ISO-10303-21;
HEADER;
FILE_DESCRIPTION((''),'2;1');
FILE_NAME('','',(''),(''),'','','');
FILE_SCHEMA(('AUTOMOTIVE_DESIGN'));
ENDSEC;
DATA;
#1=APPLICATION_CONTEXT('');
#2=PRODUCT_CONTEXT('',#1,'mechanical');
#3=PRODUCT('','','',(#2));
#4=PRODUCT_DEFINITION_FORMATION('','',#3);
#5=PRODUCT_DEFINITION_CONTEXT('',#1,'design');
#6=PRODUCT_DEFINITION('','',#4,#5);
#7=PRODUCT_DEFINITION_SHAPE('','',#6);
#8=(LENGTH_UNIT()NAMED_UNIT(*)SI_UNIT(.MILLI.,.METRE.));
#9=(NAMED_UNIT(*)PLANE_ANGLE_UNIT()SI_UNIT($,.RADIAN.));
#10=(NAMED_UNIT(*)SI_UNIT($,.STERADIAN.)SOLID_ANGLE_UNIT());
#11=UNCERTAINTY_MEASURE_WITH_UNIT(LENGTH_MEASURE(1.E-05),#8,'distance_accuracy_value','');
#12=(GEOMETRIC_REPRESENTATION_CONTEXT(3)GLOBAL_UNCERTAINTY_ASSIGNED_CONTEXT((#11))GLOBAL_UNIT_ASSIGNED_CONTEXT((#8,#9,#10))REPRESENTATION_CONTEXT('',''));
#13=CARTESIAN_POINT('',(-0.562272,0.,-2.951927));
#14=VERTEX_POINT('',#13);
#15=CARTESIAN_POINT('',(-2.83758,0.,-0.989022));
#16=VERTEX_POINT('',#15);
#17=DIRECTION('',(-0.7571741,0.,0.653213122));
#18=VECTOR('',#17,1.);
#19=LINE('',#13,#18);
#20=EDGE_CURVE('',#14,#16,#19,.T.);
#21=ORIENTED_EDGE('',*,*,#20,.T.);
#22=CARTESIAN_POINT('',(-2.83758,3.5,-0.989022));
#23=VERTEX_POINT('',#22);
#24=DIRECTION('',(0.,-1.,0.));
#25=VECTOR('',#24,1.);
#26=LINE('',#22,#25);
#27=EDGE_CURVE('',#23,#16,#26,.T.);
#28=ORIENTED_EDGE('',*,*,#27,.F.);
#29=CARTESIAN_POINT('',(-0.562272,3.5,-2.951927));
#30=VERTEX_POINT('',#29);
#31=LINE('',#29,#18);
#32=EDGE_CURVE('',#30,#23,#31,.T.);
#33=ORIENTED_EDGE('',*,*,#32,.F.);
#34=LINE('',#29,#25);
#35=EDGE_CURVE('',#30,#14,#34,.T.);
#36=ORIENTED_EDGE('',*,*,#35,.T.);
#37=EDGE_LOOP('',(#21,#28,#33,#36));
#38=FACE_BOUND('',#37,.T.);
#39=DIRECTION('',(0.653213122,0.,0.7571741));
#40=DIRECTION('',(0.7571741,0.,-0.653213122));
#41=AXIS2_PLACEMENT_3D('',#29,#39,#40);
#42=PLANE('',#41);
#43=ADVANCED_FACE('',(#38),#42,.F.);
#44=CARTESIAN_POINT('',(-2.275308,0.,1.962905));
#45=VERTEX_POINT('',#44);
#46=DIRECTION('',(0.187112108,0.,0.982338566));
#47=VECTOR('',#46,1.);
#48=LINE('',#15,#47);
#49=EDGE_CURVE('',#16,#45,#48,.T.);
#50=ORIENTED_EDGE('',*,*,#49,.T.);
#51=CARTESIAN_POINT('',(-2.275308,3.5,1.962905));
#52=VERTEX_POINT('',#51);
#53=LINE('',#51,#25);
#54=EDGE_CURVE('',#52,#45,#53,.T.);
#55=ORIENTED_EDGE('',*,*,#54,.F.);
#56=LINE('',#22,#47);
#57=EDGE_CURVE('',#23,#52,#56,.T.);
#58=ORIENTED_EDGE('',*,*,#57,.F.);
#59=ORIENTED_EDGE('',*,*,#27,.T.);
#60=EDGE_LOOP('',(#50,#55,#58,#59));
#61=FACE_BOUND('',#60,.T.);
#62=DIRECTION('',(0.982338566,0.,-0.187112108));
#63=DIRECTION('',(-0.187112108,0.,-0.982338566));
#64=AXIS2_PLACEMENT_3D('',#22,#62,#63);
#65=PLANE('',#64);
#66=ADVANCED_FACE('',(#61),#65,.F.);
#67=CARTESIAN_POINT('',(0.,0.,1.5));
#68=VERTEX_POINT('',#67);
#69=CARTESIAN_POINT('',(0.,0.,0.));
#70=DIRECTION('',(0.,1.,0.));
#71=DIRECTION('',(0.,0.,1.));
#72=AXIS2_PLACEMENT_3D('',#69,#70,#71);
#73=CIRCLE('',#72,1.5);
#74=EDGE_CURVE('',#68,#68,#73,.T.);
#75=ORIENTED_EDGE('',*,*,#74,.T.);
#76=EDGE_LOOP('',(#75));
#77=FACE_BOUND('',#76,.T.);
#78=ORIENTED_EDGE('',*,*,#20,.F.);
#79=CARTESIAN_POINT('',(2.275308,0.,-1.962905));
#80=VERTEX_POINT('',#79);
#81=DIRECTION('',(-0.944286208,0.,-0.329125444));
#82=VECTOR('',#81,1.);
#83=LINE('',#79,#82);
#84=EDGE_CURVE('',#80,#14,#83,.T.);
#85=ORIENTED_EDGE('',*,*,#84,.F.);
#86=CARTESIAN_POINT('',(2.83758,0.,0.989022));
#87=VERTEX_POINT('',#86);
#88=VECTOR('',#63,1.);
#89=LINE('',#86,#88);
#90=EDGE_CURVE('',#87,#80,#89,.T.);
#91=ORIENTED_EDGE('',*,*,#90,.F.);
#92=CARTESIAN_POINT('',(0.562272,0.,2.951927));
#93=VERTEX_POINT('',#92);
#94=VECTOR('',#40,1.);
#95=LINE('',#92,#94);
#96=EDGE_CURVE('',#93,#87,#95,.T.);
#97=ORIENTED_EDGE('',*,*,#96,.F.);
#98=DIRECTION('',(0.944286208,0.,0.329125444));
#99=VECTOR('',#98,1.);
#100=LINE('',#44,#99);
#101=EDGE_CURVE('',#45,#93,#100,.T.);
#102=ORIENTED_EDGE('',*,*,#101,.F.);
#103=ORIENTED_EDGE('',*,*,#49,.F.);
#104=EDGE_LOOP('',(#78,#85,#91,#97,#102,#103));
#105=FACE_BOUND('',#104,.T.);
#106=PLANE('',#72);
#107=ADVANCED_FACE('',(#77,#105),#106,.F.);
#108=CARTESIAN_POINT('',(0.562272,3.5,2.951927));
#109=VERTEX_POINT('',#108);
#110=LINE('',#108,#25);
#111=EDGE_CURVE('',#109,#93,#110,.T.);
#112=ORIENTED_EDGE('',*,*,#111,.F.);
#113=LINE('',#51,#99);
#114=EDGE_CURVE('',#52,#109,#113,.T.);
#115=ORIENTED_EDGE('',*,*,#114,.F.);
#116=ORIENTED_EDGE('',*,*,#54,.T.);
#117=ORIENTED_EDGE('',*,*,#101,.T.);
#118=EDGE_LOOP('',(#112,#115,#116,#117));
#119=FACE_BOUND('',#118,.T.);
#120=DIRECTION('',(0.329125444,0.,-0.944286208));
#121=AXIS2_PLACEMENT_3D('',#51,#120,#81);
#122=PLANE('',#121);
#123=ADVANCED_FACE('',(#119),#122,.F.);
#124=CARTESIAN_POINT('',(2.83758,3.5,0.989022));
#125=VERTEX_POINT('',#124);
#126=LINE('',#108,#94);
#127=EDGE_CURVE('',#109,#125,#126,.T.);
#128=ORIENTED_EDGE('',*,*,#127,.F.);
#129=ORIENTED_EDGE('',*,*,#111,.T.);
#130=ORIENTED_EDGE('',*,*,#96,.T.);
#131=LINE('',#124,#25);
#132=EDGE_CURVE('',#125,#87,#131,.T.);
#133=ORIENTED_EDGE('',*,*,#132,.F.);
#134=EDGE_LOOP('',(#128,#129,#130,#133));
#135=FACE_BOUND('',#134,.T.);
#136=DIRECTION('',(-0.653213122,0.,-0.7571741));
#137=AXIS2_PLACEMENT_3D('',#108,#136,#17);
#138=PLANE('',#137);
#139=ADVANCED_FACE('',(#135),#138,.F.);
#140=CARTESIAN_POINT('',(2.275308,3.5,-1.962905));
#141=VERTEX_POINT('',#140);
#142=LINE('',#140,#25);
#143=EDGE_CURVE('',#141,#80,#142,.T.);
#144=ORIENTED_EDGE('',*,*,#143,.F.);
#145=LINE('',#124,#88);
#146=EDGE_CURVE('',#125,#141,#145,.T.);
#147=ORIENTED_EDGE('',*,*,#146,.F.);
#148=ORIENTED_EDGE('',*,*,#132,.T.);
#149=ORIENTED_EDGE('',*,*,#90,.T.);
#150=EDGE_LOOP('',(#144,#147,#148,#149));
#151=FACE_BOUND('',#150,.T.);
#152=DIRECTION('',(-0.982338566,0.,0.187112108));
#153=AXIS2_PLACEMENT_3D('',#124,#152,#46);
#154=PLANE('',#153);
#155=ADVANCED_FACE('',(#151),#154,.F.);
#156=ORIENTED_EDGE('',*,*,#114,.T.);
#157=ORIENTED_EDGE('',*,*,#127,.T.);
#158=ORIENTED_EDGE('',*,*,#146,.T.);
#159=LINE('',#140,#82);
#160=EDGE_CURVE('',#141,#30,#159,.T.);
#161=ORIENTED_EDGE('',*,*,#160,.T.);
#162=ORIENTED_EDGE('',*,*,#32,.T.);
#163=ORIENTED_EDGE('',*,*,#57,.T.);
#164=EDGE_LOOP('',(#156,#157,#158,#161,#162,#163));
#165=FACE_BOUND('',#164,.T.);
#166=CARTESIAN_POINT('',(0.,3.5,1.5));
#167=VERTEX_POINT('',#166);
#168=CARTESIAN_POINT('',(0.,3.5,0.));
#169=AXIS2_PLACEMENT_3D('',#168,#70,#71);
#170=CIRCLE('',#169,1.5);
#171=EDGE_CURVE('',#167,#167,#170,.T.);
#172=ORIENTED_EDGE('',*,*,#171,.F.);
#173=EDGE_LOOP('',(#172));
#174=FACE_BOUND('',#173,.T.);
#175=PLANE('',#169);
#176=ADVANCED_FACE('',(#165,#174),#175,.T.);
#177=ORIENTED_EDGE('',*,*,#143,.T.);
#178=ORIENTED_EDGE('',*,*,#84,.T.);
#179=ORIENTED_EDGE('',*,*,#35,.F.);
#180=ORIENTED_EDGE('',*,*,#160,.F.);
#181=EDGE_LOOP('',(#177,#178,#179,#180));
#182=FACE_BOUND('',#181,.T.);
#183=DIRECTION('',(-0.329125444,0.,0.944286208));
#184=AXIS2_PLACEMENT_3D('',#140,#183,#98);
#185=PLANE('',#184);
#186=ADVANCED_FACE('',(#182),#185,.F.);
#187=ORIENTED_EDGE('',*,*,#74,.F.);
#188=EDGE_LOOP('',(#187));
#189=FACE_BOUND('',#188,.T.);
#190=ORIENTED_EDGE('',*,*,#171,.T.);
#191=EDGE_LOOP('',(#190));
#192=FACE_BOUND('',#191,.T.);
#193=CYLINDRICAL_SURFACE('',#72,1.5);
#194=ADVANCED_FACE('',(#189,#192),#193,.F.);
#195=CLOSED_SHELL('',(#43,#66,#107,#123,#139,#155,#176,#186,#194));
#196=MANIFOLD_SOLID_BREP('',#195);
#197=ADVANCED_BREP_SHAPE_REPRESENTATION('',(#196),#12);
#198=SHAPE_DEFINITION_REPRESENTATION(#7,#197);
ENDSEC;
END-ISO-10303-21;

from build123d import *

# Parameters (mm, degrees)
EXTRUDE_1_DEPTH     = 3.5
SKETCH_2_R          = 1.5
CUT_EXTRUDE_1_DEPTH = 6.38662565


with BuildPart() as part:
    # 草图1 → 凸台-拉伸1 (new body)
    with BuildSketch(Plane(origin=(0, 0, 0), x_dir=(1, 0, 0), z_dir=(0, 1, 0))):
        Polygon((0.562271884, -2.951927392), (2.837580054, -0.98902196), (2.27530817, 1.962905432), (-0.562271884, 2.951927392), (-2.837580054, 0.98902196), (-2.27530817, -1.962905432), align=None)
    extrude(amount=EXTRUDE_1_DEPTH)

    # 草图2 → 切除-拉伸1 (cut, through all)
    with BuildSketch(Plane(origin=(0, 3.5, 0), x_dir=(1, 0, 0), z_dir=(0, 1, 0))):
        with Locations(Location((0, 0, 0), (0, 0, 270))):
            Circle(SKETCH_2_R)
    extrude(amount=-CUT_EXTRUDE_1_DEPTH, mode=Mode.SUBTRACT)


solid = part.part
